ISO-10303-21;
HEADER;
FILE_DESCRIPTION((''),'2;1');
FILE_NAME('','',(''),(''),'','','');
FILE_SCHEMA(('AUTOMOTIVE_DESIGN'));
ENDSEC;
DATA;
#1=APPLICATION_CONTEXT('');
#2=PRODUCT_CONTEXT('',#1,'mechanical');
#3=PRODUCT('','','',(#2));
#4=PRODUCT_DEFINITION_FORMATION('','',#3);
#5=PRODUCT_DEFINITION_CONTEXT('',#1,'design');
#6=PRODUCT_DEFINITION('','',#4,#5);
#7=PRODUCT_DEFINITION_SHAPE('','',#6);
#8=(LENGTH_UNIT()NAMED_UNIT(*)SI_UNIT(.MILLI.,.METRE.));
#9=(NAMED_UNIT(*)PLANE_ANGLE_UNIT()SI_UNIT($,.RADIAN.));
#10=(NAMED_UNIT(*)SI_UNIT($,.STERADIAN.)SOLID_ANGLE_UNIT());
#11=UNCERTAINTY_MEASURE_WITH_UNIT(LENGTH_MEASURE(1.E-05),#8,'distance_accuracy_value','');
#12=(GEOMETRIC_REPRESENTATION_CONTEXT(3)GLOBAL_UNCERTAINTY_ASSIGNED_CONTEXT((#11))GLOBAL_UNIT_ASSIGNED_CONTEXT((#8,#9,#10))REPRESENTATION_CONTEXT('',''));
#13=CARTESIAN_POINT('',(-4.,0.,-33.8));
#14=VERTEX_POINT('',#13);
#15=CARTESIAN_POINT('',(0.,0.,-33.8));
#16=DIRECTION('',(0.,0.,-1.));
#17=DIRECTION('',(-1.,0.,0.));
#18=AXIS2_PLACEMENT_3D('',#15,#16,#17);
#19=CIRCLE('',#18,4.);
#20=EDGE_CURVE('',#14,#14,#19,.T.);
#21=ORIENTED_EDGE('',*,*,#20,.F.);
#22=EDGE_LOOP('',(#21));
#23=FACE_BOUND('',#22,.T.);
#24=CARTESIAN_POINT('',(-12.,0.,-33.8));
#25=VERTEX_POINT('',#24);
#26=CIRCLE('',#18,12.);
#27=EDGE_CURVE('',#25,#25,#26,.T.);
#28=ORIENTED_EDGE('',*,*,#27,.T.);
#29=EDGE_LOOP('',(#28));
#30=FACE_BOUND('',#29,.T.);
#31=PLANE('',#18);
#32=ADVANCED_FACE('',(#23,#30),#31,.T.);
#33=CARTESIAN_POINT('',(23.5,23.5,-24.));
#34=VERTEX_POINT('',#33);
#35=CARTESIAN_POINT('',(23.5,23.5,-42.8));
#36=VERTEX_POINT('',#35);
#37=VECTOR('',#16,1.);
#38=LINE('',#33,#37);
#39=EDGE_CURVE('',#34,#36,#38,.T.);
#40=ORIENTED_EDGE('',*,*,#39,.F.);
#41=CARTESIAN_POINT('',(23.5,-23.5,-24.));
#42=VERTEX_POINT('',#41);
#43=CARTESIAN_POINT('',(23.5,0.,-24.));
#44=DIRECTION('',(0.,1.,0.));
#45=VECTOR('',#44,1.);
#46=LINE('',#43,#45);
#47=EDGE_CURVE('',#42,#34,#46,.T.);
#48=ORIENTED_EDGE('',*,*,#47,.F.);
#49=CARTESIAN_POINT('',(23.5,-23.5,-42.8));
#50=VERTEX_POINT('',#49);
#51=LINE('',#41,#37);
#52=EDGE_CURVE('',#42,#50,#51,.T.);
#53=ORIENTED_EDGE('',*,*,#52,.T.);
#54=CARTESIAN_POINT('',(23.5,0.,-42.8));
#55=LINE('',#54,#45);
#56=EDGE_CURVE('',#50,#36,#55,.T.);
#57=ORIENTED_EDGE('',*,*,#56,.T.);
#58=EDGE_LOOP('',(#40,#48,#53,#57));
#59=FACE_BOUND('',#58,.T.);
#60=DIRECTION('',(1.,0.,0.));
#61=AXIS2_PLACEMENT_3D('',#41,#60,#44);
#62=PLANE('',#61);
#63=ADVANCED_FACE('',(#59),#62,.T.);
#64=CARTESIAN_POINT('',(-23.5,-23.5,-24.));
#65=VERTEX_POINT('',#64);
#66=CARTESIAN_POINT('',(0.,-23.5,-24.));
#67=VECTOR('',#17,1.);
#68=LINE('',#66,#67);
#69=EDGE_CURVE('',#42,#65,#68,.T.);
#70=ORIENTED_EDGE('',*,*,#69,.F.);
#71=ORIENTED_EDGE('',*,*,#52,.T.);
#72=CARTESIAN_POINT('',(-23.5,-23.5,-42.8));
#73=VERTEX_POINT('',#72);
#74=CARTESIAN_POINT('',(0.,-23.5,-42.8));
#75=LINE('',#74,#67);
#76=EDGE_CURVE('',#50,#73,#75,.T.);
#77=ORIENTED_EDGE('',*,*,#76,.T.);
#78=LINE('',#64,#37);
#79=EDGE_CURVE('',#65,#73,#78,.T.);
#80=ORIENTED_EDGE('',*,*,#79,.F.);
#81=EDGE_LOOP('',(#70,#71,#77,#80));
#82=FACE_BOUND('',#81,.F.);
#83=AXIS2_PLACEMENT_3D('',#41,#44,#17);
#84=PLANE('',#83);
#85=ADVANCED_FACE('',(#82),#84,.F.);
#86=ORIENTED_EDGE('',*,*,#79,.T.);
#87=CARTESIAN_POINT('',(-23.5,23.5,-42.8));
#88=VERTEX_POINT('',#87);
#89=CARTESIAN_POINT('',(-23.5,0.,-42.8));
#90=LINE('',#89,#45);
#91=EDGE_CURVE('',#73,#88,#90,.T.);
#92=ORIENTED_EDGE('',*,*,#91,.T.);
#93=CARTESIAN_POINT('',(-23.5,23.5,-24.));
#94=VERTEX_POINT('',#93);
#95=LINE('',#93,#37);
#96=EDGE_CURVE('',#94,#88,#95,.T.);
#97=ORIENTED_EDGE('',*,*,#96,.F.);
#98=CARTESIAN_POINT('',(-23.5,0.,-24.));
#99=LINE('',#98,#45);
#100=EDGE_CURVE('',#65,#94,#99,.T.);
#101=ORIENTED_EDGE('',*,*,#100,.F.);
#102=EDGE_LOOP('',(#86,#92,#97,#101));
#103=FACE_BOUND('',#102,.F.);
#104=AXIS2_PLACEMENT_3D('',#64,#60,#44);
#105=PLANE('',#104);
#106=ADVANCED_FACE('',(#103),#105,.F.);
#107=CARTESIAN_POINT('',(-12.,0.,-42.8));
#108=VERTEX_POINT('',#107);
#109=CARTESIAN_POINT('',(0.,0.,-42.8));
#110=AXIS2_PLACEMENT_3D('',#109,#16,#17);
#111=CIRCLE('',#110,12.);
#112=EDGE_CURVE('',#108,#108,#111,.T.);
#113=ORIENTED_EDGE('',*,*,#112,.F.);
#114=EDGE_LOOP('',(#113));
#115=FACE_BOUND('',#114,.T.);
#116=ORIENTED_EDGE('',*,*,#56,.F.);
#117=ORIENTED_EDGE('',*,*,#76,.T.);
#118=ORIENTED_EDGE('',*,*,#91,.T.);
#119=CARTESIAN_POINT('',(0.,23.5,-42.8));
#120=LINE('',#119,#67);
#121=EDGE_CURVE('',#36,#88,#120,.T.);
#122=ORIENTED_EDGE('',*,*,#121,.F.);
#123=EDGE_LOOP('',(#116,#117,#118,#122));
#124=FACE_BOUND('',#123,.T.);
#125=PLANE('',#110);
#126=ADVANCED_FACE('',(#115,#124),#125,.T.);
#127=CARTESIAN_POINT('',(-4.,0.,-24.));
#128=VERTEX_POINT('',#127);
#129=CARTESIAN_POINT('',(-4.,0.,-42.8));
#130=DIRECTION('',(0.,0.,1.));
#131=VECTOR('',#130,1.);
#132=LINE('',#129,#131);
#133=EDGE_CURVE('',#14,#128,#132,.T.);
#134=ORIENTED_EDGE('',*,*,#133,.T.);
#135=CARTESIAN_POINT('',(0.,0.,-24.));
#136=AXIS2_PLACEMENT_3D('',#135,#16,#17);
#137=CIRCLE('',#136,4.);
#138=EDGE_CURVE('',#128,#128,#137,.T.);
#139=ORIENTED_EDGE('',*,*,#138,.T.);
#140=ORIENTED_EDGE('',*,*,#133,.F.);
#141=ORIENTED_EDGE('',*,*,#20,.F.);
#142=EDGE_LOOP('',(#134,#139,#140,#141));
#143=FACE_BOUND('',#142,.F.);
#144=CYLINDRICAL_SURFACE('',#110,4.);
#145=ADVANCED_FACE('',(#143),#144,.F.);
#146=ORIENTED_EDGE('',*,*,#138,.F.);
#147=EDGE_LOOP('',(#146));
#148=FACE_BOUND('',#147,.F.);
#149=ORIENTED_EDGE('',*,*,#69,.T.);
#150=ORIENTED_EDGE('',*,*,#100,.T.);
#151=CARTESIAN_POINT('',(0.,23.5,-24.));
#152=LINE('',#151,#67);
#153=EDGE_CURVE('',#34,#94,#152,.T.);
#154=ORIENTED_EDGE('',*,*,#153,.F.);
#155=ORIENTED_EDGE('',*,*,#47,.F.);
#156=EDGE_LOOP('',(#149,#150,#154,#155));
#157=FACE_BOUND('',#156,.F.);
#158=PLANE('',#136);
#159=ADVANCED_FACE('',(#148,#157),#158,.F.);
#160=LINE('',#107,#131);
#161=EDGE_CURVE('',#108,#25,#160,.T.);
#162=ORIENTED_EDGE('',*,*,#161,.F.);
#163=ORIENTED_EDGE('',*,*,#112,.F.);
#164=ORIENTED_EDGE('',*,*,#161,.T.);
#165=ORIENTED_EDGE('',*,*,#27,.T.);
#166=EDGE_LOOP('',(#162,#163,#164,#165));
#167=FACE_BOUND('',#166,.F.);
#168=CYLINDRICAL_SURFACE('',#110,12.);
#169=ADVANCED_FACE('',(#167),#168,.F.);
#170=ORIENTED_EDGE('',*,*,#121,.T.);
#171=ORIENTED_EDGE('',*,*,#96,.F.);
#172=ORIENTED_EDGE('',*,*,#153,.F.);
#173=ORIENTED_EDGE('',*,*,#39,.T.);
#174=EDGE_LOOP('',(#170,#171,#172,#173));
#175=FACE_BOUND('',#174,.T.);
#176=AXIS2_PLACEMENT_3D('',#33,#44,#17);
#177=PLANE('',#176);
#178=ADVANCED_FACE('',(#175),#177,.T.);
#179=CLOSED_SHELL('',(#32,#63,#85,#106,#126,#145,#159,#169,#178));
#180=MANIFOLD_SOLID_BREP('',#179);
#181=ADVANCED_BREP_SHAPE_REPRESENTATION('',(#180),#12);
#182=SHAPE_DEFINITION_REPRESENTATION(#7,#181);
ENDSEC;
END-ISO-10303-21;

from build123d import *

# Parameters (mm, degrees)
SKETCH048_W     = 47
SKETCH048_H     = 47
PAD020_DEPTH    = 18.8
SKETCH049_R     = 4
POCKET020_DEPTH = 18.801
SKETCH077_R     = 12
POCKET032_DEPTH = 9


with BuildPart() as part:
    # Sketch048 (on Face8 of ShapeBinder008) → Pad020 (new body)
    with BuildSketch(Plane(origin=(0, 0, -24), x_dir=(-1, 0, 0), z_dir=(0, 0, -1))):
        Rectangle(SKETCH048_W, SKETCH048_H)
    extrude(amount=PAD020_DEPTH)

    # Sketch049 (on Face6 of Pad020) → Pocket020 (cut, through all)
    with BuildSketch(Plane(origin=(0, 0, -42.8), x_dir=(-1, 0, 0), z_dir=(0, 0, -1))):
        Circle(SKETCH049_R)
    extrude(amount=-POCKET020_DEPTH, mode=Mode.SUBTRACT)

    # Sketch077 (on Face5 of Pocket020) → Pocket032 (cut)
    with BuildSketch(Plane(origin=(0, 0, -42.8), x_dir=(-1, 0, 0), z_dir=(0, 0, -1))):
        Circle(SKETCH077_R)
    extrude(amount=-POCKET032_DEPTH, mode=Mode.SUBTRACT)


solid = part.part
